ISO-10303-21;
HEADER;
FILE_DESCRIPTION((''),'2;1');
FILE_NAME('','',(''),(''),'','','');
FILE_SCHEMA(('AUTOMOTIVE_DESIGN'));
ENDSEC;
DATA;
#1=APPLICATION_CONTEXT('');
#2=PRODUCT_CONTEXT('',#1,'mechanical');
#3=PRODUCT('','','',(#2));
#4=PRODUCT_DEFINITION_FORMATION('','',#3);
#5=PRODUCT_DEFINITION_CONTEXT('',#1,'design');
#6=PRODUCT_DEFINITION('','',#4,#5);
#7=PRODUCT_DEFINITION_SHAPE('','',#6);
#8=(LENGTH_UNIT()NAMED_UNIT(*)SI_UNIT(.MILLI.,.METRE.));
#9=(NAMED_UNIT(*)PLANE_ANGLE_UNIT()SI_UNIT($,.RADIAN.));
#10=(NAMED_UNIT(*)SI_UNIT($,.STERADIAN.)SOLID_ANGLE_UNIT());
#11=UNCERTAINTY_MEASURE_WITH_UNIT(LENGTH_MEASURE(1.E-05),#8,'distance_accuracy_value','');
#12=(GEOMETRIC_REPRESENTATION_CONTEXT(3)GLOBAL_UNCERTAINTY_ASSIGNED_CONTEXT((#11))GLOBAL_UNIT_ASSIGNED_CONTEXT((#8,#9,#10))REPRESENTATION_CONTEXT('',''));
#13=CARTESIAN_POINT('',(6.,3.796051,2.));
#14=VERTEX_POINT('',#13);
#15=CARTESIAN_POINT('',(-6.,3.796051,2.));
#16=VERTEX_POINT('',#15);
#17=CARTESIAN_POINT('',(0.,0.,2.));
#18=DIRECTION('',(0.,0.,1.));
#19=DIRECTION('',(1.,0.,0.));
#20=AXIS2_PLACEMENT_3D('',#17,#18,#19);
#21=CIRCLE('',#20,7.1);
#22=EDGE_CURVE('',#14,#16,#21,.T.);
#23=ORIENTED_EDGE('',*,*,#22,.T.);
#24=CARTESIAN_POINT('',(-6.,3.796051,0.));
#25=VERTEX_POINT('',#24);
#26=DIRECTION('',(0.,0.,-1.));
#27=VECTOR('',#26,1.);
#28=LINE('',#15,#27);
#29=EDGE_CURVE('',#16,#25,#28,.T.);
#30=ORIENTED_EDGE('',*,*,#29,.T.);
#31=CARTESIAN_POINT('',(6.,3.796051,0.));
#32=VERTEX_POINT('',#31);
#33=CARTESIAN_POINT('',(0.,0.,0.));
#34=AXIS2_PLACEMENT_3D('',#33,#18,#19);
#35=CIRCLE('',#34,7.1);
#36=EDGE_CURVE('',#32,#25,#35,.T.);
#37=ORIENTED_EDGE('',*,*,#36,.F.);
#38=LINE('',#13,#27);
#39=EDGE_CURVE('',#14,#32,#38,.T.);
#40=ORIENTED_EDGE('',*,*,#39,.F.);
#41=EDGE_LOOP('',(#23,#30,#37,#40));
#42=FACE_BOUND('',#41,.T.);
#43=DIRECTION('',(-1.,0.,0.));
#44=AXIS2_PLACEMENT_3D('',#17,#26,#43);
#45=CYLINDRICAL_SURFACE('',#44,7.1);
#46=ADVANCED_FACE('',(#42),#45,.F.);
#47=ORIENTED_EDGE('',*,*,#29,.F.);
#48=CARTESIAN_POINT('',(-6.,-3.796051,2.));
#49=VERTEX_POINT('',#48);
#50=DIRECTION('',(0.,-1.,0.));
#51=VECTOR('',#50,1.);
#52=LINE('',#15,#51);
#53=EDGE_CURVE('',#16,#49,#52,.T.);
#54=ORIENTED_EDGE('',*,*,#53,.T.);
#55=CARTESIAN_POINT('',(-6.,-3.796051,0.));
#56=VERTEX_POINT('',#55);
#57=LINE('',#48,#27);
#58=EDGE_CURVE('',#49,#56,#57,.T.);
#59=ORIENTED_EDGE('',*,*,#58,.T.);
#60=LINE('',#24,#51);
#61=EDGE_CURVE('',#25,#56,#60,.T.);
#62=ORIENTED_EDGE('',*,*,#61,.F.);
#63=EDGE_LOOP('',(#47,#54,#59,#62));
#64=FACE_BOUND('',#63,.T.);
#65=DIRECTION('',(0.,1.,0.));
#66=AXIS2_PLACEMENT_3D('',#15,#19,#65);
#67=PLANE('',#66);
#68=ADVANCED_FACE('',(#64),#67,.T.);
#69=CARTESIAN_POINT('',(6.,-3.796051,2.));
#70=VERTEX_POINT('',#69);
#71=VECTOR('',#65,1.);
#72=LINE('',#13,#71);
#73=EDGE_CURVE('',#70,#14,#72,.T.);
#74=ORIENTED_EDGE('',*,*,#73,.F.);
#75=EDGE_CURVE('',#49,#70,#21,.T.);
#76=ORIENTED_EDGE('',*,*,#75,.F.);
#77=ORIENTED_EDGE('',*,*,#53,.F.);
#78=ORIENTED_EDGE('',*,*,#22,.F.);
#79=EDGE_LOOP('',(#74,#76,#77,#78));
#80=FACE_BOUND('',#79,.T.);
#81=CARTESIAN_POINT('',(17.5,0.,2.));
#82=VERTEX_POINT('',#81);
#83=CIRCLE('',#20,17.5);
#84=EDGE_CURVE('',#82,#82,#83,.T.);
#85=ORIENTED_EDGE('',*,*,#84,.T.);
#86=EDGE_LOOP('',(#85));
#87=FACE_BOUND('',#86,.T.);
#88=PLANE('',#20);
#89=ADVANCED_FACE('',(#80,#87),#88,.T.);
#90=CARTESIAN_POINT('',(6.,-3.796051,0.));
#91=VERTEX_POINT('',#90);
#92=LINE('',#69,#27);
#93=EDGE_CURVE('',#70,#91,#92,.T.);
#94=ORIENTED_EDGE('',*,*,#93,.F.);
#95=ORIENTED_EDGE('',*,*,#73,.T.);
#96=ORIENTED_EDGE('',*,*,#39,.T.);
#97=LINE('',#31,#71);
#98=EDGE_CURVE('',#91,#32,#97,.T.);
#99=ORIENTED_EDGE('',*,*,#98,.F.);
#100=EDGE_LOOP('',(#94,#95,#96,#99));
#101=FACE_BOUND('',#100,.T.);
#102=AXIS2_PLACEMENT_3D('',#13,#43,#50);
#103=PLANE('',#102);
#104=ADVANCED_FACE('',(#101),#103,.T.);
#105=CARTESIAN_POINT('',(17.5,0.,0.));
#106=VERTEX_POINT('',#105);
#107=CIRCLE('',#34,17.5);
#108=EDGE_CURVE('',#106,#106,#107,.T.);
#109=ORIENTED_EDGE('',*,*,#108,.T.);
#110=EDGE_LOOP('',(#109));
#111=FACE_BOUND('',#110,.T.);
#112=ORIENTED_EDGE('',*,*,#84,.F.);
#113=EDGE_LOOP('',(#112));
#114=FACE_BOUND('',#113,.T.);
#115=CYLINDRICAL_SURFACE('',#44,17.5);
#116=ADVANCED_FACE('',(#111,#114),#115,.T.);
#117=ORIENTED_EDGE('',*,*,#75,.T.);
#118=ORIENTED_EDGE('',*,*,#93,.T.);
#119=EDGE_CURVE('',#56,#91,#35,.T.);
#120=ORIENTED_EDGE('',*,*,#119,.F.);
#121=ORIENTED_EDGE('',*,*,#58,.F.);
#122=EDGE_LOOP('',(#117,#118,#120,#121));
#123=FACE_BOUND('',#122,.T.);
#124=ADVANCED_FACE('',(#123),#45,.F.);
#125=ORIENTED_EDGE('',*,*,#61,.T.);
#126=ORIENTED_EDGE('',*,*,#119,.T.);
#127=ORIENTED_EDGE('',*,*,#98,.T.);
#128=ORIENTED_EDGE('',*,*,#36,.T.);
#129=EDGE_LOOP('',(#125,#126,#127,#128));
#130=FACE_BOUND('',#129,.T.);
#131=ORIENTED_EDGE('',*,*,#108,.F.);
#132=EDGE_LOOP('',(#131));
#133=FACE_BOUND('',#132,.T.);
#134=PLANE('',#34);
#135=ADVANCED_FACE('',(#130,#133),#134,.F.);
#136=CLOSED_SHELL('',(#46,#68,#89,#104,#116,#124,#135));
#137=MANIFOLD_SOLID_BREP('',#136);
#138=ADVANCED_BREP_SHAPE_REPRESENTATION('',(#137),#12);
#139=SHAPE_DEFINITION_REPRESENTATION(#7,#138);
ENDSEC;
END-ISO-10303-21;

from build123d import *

# Parameters (mm, degrees)
ESQUISSE1_R      = 17.5
EXTRUSION1_DEPTH = 2


with BuildPart() as part:
    # Esquisse1 → Extrusion1 (new body)
    with BuildSketch(Plane.XY):
        Circle(ESQUISSE1_R)
        with BuildLine():
            Line((-6, 3.796050579), (-6, -3.796050579))
            ThreePointArc((-6, -3.796050579), (0, -7.1), (6, -3.796050579))
            Line((6, -3.796050579), (6, 3.796050579))
            ThreePointArc((6, 3.796050579), (0, 7.1), (-6, 3.796050579))
        make_face(mode=Mode.SUBTRACT)
    extrude(amount=EXTRUSION1_DEPTH)


solid = part.part
